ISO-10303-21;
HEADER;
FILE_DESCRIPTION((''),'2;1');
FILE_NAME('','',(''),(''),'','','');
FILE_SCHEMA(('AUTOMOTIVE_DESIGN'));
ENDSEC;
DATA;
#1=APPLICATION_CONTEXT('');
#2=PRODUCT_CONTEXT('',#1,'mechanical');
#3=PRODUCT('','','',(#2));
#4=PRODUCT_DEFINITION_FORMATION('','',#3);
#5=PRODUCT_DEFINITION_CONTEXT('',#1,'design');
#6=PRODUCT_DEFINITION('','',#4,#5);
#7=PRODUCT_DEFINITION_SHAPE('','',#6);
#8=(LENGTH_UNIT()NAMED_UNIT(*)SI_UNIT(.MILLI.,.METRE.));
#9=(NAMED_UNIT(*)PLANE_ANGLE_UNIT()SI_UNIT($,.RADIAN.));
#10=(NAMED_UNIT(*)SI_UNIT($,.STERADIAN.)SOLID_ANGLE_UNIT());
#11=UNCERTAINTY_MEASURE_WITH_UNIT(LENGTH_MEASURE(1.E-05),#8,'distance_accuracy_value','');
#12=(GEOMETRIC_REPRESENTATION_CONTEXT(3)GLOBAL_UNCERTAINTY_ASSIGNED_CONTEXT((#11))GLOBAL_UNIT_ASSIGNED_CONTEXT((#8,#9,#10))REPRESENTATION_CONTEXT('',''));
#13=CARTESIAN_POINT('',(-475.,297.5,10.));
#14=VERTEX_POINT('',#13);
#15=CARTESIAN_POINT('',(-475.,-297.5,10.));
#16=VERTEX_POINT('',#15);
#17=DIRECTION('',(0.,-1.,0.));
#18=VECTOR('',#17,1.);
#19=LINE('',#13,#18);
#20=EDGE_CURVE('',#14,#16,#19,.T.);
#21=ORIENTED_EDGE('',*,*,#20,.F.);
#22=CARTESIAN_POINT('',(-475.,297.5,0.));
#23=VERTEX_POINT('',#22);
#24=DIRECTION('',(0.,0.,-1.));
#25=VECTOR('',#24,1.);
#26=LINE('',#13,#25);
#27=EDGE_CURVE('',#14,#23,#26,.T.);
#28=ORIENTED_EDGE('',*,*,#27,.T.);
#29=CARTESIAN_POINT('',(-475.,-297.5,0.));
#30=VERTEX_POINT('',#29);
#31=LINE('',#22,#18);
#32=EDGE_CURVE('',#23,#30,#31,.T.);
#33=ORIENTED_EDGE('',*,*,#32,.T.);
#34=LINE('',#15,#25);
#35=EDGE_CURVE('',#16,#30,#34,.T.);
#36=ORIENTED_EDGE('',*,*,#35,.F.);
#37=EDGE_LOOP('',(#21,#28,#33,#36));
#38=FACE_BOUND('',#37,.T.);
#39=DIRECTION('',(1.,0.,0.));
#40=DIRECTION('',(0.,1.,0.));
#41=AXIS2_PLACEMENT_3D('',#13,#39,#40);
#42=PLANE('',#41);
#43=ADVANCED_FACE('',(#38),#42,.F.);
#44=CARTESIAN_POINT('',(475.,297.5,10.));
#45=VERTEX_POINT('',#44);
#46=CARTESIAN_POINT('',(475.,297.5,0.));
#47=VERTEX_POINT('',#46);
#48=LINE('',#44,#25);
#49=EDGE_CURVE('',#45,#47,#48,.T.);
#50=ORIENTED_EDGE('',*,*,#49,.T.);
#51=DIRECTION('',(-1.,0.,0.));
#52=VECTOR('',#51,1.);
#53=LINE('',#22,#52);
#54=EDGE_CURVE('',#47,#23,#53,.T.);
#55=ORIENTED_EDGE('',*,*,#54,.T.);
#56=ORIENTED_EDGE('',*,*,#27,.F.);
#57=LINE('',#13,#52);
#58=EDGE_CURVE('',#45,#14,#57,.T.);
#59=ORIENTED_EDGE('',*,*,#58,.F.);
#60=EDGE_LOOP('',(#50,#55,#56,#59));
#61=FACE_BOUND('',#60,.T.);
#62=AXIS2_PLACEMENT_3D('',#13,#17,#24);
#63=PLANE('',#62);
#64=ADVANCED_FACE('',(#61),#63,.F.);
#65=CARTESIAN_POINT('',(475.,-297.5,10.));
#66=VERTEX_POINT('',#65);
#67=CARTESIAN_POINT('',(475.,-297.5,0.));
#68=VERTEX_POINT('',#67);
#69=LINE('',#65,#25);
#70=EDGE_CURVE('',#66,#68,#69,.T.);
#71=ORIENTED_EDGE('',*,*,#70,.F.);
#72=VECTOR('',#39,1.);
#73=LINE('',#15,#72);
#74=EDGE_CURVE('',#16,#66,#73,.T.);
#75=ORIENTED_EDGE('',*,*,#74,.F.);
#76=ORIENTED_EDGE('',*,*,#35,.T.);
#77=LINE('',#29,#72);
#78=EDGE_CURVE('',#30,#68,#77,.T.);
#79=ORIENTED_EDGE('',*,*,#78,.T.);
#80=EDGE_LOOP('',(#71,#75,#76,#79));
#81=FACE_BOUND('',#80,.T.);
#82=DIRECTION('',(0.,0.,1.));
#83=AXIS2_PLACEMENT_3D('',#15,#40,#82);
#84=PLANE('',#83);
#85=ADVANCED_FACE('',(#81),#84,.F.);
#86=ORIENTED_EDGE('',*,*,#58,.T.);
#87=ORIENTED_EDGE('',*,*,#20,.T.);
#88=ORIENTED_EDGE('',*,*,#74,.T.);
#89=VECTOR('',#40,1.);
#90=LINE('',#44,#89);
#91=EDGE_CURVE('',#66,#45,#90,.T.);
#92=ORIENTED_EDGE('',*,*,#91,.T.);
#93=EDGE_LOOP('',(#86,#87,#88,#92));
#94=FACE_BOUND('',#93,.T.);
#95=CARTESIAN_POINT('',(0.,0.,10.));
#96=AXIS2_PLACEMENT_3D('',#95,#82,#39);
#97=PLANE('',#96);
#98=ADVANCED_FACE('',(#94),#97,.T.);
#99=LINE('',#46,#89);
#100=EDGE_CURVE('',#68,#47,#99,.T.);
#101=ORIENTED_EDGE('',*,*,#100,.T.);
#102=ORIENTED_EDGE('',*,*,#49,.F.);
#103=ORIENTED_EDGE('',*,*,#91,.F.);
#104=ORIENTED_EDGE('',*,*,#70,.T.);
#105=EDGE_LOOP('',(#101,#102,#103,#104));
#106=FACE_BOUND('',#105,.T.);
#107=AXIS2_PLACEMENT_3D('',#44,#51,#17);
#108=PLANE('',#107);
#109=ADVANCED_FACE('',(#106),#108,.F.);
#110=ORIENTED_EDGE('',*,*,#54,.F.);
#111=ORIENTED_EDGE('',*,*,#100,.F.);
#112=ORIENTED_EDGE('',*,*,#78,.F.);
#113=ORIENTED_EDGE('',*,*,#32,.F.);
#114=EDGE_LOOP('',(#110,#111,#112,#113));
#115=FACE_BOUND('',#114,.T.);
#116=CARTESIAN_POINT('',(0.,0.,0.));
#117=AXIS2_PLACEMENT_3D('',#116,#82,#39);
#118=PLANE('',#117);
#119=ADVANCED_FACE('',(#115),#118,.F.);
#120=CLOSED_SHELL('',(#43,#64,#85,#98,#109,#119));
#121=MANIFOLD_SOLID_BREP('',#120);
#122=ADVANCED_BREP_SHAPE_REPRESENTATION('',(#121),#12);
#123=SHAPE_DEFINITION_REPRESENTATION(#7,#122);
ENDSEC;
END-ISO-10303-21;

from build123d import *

# Parameters (mm, degrees)
SKETCH_1_W      = 950
SKETCH_1_H      = 595
EXTRUDE_1_DEPTH = 10


with BuildPart() as part:
    # Эскиз1 → Бобышка-Вытянуть1 (new body)
    with BuildSketch(Plane.XY):
        Rectangle(SKETCH_1_W, SKETCH_1_H)
    extrude(amount=EXTRUDE_1_DEPTH)


solid = part.part
